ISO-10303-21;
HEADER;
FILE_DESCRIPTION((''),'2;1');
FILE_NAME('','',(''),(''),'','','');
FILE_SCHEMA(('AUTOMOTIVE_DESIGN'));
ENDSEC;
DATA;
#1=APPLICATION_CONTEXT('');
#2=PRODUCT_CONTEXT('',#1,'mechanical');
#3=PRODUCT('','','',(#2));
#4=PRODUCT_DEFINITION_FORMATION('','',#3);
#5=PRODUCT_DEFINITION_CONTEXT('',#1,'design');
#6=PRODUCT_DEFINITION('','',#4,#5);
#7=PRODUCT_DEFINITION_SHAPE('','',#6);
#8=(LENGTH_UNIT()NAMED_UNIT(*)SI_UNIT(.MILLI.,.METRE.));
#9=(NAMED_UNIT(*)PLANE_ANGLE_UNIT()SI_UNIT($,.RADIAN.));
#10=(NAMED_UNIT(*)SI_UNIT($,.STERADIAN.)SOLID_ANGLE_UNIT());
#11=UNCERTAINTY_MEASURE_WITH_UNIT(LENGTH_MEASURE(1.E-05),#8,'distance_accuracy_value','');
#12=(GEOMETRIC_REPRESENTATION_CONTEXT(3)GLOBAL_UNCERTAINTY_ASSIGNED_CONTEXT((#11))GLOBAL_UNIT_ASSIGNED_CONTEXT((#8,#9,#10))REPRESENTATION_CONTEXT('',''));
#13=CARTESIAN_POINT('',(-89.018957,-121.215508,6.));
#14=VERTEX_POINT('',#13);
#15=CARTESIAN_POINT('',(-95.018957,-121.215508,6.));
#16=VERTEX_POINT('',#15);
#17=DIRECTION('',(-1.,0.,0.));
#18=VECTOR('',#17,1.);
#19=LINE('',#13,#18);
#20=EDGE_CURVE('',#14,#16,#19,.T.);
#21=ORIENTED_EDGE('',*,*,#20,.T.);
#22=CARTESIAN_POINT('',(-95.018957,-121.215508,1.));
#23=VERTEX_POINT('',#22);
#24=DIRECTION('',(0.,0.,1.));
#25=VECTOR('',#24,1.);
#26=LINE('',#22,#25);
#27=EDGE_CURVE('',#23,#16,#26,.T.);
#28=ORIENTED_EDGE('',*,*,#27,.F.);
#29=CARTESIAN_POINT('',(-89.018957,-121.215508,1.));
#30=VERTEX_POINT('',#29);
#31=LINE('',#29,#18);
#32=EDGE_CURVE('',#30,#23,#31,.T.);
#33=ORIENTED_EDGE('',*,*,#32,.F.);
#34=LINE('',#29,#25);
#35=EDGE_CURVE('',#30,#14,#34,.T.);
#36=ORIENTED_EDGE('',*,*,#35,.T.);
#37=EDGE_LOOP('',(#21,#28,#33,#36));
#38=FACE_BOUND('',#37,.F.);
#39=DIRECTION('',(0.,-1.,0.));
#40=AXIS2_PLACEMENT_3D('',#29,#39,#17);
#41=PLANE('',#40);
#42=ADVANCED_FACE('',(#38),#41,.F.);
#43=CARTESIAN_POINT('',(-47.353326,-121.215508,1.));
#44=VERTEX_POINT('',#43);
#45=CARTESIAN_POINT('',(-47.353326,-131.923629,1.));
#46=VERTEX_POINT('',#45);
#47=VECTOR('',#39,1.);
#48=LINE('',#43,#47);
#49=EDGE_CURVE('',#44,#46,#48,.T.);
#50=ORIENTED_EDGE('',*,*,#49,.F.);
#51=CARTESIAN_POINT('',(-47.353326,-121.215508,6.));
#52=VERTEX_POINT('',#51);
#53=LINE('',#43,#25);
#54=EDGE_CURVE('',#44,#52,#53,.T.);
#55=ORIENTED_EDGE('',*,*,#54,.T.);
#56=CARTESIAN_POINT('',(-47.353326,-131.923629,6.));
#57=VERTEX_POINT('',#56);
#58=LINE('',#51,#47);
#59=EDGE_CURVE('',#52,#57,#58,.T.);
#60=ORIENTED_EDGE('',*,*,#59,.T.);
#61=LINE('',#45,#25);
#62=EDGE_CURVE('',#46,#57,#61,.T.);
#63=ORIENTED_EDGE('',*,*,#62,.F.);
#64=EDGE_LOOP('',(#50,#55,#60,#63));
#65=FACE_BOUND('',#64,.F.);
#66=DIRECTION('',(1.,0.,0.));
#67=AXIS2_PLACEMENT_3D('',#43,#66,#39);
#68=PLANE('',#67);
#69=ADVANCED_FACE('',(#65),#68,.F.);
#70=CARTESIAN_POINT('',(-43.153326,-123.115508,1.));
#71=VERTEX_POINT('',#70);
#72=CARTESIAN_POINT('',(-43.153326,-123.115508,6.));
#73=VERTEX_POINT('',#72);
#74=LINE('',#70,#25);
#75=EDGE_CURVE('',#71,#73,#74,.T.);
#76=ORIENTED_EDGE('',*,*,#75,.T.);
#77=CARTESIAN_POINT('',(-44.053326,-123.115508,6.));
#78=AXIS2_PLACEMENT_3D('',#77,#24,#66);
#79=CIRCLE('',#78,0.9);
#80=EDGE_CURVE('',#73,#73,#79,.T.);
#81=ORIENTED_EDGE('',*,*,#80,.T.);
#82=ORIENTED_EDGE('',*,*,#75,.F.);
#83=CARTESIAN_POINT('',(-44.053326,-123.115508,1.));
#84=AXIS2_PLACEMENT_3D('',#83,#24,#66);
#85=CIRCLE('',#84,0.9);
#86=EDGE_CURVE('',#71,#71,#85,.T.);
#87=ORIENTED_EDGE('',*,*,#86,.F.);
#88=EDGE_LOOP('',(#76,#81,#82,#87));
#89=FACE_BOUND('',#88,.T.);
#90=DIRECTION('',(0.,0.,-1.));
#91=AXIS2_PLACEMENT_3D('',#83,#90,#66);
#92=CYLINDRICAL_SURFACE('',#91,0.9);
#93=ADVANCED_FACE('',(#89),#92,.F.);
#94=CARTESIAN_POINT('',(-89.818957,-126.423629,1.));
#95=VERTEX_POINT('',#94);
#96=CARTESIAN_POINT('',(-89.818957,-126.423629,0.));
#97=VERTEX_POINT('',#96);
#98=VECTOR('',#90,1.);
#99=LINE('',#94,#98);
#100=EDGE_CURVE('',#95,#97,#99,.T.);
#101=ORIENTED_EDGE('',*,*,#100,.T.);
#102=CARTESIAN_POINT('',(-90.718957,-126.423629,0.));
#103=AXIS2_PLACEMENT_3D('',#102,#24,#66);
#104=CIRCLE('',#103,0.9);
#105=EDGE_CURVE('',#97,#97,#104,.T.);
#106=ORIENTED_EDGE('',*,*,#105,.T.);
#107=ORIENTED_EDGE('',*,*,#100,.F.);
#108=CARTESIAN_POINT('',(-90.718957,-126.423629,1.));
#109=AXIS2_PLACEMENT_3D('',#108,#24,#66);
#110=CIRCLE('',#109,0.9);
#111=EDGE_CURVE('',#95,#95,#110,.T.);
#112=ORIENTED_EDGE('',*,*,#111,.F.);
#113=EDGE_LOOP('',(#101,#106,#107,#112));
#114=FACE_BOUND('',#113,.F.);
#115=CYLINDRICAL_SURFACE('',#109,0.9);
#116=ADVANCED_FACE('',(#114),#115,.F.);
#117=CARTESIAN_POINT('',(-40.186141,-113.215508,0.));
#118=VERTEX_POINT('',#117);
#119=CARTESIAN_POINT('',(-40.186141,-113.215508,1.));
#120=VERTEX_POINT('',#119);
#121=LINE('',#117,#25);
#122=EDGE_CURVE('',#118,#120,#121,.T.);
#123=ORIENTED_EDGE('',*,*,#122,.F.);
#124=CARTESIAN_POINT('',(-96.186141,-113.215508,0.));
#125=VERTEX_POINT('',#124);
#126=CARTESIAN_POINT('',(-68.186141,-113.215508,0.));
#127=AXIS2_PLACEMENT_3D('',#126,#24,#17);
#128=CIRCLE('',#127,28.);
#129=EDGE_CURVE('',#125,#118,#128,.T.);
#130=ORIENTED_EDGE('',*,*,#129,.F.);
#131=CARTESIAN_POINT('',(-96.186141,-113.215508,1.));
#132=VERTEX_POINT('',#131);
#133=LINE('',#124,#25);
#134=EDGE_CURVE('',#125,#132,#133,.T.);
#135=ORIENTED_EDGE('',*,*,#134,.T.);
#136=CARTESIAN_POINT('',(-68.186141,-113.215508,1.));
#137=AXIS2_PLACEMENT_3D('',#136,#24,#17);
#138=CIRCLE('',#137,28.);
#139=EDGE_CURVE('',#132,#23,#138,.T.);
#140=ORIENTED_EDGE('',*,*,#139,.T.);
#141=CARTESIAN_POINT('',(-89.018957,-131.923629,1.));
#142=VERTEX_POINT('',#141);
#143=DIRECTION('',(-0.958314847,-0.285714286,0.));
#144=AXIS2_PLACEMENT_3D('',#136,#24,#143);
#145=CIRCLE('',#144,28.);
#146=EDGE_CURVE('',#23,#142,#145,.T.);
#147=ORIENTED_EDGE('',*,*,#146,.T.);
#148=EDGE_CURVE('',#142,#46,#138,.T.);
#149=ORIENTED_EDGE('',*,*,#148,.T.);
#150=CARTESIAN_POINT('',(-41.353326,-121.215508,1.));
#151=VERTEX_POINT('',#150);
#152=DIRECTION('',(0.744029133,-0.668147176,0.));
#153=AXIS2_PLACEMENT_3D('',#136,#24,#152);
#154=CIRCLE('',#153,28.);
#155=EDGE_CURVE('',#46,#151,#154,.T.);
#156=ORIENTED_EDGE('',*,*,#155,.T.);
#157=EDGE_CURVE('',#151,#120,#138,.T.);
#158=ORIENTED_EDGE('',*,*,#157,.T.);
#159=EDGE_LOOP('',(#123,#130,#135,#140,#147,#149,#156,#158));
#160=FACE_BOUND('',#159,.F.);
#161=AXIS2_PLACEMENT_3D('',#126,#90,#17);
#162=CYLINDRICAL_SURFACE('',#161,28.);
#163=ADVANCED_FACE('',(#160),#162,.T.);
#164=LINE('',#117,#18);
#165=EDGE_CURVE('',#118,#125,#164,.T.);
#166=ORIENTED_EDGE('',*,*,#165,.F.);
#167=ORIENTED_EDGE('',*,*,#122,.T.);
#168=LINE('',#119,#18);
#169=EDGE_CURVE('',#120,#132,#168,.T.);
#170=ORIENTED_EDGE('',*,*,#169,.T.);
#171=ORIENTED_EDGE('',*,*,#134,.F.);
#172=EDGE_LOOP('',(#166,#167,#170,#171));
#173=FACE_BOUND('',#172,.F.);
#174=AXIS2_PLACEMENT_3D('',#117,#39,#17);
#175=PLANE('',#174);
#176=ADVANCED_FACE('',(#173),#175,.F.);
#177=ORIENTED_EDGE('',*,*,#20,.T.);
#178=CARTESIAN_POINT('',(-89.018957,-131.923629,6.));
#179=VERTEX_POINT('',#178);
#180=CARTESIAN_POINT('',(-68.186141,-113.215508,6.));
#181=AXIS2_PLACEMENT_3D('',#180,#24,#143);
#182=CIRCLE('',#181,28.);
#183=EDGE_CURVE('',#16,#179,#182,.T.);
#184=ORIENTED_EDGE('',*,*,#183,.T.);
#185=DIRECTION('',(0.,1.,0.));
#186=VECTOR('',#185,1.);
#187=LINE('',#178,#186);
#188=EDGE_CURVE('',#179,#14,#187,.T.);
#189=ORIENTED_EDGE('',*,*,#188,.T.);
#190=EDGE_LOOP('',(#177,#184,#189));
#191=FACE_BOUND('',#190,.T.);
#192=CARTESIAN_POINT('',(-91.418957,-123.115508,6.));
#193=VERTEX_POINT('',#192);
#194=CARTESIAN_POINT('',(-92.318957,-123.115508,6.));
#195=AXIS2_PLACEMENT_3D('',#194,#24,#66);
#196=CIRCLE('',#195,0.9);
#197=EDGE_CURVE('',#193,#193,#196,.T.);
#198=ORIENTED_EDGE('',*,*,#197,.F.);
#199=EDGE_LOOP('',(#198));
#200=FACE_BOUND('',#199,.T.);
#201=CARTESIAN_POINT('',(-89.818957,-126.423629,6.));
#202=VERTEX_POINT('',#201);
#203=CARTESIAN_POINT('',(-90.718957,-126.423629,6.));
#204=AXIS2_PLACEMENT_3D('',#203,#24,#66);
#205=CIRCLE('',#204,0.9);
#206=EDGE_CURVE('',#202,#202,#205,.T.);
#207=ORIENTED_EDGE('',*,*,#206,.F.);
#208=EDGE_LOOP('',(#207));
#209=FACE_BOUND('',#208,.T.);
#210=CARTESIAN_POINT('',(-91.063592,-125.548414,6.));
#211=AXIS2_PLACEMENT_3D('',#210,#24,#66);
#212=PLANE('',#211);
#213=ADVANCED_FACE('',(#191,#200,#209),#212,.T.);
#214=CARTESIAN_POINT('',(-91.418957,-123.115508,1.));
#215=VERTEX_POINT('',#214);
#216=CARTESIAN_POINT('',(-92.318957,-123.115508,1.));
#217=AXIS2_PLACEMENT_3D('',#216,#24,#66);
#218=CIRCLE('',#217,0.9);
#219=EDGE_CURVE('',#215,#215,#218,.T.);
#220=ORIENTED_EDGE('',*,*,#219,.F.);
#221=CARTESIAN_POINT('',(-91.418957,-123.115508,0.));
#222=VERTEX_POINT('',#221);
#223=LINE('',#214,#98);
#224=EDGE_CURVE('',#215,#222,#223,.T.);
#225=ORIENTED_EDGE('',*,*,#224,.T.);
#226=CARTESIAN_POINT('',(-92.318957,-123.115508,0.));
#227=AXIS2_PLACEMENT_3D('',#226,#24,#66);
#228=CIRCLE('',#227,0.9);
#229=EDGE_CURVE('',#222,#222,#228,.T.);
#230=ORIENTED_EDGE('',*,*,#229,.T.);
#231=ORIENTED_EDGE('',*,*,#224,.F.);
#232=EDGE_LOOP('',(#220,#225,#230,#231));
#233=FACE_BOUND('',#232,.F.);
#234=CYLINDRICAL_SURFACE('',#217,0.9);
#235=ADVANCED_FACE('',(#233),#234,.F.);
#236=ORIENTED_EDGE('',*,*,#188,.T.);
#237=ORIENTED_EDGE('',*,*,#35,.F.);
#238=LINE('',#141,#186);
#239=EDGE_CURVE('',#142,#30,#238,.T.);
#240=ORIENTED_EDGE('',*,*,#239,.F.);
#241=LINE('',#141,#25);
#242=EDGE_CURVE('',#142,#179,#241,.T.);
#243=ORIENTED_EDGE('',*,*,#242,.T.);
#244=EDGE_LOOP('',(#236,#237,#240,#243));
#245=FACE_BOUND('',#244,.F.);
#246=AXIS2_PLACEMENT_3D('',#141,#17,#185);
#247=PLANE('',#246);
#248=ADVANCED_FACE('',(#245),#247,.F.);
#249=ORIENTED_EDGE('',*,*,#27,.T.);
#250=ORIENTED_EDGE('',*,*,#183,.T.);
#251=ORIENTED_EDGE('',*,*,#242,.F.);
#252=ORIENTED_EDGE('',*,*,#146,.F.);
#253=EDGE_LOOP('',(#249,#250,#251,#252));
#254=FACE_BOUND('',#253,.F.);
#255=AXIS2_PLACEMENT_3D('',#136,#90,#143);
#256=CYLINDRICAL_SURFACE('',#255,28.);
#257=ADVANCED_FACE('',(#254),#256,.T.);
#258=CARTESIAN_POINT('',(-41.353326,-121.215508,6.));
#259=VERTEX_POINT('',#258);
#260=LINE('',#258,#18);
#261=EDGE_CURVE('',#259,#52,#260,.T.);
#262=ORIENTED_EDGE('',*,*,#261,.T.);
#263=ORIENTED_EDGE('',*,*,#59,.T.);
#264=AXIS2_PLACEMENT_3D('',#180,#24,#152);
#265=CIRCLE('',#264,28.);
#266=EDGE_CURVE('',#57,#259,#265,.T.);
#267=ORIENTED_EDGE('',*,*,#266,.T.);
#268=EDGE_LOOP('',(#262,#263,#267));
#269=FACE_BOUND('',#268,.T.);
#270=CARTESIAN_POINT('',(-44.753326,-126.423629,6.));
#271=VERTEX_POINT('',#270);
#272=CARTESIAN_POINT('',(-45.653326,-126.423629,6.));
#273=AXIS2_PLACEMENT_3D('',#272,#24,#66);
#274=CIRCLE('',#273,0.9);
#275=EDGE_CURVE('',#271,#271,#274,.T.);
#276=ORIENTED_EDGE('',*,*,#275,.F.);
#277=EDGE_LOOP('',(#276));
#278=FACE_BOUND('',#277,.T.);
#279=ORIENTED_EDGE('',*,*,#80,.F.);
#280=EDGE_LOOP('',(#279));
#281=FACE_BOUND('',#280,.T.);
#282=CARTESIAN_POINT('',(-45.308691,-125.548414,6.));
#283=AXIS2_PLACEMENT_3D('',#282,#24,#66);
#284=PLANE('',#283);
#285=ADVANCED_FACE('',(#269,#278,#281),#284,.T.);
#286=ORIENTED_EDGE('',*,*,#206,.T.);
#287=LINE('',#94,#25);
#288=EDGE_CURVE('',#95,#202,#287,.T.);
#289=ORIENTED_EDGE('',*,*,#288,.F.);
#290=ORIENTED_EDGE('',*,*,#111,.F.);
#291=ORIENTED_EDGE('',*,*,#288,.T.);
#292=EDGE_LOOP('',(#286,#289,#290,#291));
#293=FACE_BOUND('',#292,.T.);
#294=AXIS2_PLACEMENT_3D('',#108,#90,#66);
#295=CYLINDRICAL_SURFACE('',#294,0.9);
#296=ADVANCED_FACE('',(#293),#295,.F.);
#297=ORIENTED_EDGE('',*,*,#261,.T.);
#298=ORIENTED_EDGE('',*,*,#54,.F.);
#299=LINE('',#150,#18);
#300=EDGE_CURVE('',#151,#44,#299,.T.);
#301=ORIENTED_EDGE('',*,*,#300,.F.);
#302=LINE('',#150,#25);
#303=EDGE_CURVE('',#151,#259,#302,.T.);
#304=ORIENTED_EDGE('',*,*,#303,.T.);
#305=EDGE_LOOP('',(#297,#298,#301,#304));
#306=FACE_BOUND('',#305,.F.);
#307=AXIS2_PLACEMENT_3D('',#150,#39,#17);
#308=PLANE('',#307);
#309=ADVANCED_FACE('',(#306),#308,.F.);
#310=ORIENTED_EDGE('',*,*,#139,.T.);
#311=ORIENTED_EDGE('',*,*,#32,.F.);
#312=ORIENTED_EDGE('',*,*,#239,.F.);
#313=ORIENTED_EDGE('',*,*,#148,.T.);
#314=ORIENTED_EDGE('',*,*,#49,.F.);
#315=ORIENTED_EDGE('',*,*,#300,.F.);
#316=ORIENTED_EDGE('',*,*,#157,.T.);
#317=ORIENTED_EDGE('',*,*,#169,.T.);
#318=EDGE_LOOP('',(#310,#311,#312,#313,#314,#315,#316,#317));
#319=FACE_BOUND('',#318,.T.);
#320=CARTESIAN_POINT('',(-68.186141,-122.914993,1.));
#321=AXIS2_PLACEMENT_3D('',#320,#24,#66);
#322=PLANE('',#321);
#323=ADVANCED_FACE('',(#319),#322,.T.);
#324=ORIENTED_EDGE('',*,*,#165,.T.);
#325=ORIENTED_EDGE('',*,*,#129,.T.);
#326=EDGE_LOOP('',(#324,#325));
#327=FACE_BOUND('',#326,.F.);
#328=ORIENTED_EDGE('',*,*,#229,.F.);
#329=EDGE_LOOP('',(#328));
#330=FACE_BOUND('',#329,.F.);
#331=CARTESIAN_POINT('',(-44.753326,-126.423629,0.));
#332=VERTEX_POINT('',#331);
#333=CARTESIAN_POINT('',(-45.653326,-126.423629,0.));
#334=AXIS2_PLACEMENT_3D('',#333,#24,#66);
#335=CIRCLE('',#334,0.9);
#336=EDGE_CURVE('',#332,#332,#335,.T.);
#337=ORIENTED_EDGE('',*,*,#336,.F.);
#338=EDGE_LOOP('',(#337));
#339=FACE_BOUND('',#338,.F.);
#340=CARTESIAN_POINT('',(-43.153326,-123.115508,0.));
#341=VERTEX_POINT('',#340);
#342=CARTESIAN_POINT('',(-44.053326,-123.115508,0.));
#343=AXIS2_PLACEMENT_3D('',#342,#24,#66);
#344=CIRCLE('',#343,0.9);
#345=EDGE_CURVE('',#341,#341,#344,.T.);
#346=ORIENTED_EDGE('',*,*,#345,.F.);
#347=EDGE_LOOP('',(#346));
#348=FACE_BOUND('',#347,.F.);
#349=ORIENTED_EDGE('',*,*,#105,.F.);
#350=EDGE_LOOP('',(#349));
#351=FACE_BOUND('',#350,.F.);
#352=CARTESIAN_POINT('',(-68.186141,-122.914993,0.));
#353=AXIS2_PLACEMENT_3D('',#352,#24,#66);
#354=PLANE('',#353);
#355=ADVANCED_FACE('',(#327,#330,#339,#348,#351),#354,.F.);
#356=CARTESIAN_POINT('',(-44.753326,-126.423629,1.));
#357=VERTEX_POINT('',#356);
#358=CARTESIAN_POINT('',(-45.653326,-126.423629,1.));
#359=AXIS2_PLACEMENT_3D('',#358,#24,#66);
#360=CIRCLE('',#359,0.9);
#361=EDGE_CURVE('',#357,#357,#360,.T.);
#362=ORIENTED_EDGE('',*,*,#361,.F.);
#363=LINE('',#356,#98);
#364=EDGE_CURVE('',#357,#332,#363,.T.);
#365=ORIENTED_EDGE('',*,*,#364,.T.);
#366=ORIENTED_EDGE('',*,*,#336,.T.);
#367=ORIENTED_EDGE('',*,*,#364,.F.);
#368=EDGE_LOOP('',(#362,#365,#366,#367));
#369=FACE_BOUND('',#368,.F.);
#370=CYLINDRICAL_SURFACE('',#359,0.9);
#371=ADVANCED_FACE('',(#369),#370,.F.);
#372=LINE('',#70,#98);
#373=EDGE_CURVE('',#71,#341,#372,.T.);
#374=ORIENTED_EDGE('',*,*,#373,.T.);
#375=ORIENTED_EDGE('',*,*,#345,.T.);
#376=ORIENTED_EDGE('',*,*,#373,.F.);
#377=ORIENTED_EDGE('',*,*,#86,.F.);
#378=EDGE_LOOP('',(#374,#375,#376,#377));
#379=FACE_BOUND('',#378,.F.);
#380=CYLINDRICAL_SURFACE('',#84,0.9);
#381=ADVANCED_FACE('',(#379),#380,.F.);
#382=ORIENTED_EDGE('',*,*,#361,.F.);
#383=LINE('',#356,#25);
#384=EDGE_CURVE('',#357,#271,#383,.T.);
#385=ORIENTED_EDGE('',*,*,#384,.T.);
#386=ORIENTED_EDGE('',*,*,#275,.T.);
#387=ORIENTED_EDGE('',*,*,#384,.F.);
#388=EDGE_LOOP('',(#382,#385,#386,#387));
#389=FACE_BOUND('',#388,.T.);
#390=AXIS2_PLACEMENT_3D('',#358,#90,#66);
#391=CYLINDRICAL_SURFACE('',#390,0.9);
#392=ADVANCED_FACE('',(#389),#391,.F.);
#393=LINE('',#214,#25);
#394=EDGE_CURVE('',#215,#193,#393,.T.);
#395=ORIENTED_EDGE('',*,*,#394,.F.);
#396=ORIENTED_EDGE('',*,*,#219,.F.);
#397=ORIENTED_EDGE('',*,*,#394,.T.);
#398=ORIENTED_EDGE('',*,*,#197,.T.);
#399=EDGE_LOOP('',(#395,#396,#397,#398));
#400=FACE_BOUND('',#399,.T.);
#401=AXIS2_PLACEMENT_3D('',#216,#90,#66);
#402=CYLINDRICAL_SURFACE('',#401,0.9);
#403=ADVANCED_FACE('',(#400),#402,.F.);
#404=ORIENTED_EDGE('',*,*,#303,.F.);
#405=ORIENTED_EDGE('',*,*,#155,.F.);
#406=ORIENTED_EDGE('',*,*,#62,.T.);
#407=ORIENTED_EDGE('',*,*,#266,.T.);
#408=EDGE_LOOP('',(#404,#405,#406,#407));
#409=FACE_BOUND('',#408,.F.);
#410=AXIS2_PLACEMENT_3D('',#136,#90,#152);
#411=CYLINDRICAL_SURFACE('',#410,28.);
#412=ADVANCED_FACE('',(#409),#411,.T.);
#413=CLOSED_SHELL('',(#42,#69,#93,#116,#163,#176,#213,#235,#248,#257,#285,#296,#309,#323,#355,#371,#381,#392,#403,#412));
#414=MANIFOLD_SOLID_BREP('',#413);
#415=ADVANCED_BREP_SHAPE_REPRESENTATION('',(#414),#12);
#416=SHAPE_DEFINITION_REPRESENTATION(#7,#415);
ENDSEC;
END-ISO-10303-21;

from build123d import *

# Parameters (mm, degrees)
F1_DEPTH = 1
F2_R     = 0.9
F3_DEPTH = 5
F4_DEPTH = 1.001


with BuildPart() as f1:
    # F0 (on Top) → F1 (new body)
    with BuildSketch(Plane.XY):
        with BuildLine():
            ThreePointArc((-96.1861413951, -113.2155081954), (-68.1861413951, -141.2155081954), (-40.1861413951, -113.2155081954))
            Line((-40.1861413951, -113.2155081954), (-96.1861413951, -113.2155081954))
        make_face()
    extrude(amount=F1_DEPTH)

    # F2 (on face) → F3 (join)
    with BuildSketch(Plane.XY.offset(1)):
        with BuildLine():
            Line((-89.0189571251, -121.2155081954), (-95.0189571251, -121.2155081954))
            ThreePointArc((-95.0189571251, -121.2155081954), (-92.6129518517, -126.9023972105), (-89.0189571251, -131.9236291261))
            Line((-89.0189571251, -131.9236291261), (-89.0189571251, -121.2155081954))
        make_face()
        with Locations((-90.7189571251, -126.4236291261)):
            Circle(F2_R, mode=Mode.SUBTRACT)
        with Locations((-92.3189571251, -123.1155081954)):
            Circle(F2_R, mode=Mode.SUBTRACT)
        with BuildLine():
            Line((-47.3533256651, -121.2155081954), (-47.3533256651, -131.9236291261))
            ThreePointArc((-47.3533256651, -131.9236291261), (-43.7593309384, -126.9023972105), (-41.3533256651, -121.2155081954))
            Line((-41.3533256651, -121.2155081954), (-47.3533256651, -121.2155081954))
        make_face()
        with Locations((-45.6533256651, -126.4236291261)):
            Circle(F2_R, mode=Mode.SUBTRACT)
        with Locations((-44.0533256651, -123.1155081954)):
            Circle(F2_R, mode=Mode.SUBTRACT)
    extrude(amount=F3_DEPTH)

    # F2 (on face) → F4 (cut, through all)
    with BuildSketch(Plane.XY.offset(1)):
        with Locations((-92.3189571251, -123.1155081954)):
            Circle(F2_R)
        with Locations((-90.7189571251, -126.4236291261)):
            Circle(F2_R)
        with Locations((-44.0533256651, -123.1155081954)):
            Circle(F2_R)
        with Locations((-45.6533256651, -126.4236291261)):
            Circle(F2_R)
    extrude(amount=-F4_DEPTH, mode=Mode.SUBTRACT)


solid = f1.part
